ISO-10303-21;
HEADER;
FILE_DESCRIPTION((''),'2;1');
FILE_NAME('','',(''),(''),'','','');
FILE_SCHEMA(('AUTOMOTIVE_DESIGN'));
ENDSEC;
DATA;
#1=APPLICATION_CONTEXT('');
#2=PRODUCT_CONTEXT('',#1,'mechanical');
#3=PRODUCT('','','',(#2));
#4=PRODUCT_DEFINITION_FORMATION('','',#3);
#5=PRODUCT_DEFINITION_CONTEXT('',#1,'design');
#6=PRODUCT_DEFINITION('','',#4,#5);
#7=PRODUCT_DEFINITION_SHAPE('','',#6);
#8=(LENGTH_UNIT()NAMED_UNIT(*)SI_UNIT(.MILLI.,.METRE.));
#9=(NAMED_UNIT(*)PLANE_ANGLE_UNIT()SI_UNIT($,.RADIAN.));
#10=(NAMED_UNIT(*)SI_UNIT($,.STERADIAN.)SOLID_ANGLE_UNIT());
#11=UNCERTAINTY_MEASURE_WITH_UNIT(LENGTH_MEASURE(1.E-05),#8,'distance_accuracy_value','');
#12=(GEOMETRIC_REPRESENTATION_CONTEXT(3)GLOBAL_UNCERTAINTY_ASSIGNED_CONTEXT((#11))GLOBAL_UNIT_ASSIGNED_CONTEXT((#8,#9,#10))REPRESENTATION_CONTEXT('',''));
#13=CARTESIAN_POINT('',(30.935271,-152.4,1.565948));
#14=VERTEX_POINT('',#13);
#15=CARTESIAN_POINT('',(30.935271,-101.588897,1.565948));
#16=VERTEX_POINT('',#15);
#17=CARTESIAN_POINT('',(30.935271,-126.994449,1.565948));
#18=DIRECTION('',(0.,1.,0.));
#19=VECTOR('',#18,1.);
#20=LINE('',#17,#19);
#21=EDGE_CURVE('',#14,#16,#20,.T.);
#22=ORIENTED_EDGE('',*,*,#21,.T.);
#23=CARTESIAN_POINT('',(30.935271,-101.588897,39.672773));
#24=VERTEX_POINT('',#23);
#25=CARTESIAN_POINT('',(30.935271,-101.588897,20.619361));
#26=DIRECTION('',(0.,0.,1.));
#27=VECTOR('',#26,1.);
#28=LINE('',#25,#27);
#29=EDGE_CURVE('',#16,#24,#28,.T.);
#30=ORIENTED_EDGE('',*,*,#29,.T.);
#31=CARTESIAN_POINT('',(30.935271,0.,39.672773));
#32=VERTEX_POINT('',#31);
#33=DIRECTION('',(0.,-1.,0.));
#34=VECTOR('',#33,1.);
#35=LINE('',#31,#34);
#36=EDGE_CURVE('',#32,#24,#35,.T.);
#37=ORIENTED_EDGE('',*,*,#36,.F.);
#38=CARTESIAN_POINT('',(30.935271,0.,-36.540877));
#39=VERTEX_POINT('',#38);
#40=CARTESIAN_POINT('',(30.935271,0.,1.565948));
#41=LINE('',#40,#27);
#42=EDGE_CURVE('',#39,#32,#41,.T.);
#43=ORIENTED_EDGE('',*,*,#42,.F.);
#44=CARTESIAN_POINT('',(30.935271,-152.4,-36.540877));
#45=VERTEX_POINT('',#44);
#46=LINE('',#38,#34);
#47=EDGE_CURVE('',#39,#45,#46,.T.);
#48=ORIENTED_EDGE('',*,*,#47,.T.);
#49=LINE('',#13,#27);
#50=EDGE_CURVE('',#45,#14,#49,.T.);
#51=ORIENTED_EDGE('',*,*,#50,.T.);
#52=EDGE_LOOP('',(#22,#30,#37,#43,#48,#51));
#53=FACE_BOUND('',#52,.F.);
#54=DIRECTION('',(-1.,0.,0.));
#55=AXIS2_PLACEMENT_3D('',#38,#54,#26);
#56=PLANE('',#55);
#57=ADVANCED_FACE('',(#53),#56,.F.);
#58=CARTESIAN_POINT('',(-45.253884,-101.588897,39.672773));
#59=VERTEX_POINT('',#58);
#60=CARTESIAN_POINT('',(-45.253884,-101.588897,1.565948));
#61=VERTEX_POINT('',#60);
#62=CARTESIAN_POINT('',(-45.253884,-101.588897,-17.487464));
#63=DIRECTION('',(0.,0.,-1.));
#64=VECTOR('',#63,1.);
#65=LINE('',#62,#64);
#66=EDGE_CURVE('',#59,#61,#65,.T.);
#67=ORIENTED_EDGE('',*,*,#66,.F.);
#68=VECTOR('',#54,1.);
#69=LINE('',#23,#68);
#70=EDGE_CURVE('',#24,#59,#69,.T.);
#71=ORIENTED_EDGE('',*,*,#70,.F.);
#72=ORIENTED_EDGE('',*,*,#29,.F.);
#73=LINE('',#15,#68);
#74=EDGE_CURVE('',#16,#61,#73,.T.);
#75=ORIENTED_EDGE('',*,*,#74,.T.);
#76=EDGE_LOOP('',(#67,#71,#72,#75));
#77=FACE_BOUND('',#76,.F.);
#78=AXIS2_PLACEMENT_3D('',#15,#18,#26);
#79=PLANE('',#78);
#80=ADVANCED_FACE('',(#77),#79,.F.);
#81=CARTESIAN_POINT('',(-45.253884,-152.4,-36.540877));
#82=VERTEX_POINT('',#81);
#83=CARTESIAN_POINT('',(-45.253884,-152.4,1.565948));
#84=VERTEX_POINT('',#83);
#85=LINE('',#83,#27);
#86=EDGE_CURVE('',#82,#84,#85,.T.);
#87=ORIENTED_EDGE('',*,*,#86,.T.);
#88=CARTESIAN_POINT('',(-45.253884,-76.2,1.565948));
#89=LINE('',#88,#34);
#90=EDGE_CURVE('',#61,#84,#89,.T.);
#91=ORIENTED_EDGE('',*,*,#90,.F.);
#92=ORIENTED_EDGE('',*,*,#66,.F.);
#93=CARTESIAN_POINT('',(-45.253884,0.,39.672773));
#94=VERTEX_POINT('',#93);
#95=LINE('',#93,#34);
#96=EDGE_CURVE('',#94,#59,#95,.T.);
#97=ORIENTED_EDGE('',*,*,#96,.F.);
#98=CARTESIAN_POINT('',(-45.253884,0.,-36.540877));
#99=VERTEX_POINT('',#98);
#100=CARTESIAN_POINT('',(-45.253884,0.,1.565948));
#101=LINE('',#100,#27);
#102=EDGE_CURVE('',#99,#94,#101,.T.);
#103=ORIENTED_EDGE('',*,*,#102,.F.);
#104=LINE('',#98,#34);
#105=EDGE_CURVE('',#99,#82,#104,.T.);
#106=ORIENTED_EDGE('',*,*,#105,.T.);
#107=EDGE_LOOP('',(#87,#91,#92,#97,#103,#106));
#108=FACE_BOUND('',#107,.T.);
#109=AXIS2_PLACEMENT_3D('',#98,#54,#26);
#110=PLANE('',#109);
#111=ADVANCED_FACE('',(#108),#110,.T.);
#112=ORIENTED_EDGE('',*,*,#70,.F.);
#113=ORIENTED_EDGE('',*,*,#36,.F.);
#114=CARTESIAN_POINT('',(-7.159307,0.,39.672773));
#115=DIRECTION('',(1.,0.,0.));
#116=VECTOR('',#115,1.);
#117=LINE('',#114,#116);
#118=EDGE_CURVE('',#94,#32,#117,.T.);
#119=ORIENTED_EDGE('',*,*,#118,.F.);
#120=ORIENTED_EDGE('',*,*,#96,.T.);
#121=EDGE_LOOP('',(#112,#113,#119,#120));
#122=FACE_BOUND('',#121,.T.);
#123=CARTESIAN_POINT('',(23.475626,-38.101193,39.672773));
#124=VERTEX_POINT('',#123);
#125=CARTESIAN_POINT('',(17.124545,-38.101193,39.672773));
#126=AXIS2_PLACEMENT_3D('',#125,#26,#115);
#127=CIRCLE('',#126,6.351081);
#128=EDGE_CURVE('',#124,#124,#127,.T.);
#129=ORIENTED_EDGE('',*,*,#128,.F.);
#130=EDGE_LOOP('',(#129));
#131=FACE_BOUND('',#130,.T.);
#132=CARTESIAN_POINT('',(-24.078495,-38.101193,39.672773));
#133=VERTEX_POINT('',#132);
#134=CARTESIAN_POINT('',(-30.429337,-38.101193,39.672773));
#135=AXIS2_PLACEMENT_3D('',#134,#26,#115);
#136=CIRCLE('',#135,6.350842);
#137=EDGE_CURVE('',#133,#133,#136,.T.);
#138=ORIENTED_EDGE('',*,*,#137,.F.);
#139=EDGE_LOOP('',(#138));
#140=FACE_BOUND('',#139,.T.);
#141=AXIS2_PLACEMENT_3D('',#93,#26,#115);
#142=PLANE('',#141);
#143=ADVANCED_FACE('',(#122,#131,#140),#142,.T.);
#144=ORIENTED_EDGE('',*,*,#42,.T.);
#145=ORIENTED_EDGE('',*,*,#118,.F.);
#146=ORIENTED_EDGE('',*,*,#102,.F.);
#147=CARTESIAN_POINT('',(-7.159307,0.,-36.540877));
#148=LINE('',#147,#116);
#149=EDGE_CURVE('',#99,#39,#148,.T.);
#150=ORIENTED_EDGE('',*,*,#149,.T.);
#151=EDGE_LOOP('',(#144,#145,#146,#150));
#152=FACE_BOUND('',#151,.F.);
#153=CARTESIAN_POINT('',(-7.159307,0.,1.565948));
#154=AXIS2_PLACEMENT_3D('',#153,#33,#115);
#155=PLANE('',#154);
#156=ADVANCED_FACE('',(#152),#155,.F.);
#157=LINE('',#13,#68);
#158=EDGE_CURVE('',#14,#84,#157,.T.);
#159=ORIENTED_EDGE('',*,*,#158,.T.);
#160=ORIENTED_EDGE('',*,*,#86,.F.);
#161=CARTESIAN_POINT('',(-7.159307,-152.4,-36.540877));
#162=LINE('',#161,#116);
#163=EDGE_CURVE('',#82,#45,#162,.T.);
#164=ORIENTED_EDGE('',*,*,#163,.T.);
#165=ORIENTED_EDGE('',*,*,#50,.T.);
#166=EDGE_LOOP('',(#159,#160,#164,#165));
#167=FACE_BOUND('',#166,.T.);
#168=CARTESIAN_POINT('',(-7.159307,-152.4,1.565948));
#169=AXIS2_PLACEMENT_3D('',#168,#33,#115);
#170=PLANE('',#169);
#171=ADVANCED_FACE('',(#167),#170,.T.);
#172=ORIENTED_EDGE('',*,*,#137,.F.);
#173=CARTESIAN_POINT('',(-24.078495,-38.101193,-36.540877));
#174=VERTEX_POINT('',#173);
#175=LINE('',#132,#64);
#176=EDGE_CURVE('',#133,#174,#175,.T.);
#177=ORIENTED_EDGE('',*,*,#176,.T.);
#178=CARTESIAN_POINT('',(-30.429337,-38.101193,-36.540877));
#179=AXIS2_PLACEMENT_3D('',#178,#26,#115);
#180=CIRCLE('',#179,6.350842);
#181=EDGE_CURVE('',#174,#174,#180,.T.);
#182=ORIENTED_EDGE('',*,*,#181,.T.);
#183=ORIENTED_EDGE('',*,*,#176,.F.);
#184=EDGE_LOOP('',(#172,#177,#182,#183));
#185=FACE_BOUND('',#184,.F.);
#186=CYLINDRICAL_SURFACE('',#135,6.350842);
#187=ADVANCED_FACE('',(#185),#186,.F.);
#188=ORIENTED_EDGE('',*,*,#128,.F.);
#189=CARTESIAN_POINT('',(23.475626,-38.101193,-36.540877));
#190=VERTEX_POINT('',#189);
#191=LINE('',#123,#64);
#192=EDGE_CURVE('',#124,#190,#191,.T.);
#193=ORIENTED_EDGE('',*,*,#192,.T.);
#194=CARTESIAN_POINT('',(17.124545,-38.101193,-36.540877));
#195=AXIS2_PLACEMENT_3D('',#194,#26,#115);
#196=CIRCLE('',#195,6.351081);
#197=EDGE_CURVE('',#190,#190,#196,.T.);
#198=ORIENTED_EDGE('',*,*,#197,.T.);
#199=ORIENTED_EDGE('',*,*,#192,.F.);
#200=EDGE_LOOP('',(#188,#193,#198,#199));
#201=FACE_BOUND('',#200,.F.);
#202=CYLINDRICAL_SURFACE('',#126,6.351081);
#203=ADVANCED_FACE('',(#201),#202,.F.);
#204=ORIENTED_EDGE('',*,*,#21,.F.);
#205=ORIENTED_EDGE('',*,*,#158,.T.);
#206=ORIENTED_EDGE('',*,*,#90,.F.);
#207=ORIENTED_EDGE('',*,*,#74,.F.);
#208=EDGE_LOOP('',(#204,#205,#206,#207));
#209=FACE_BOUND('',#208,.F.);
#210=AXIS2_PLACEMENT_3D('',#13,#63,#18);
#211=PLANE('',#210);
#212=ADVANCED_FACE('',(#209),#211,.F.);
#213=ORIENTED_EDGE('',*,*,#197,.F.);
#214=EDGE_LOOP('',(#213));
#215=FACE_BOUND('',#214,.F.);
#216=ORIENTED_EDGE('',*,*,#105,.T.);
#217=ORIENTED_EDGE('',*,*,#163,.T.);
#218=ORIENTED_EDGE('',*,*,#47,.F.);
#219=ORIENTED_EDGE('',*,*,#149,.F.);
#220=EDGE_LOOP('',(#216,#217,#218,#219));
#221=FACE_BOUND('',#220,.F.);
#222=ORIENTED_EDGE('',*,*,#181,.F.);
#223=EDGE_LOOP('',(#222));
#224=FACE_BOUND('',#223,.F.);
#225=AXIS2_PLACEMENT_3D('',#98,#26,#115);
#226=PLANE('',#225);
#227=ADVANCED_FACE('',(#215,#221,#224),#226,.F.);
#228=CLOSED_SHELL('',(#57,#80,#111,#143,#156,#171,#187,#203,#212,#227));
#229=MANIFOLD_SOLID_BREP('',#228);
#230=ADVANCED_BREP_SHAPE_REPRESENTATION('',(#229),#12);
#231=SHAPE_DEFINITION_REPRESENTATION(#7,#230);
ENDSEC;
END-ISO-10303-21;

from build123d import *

# Parameters (mm, degrees)
F0_W     = 76.189154759
F0_H     = 76.2136504054
F1_DEPTH = 152.4
F2_W     = 50.8111025929
F2_H     = 38.1068252027
F3_DEPTH = 76.2
F4_R     = 6.3508418906
F4_R_2   = 6.3510810939
F5_DEPTH = 101.6


with BuildPart() as f1:
    # F0 (on Front) → F1 (new body)
    with BuildSketch(Plane.XZ):
        with Locations((-7.1593066677, 1.5659481287)):
            Rectangle(F0_W, F0_H)
    extrude(amount=F1_DEPTH)

    # F2 (on face) → F3 (cut)
    with BuildSketch(Plane.YZ.offset(30.9352707118)):
        with Locations((-126.9944487035, 20.6193607301)):
            Rectangle(F2_W, F2_H)
    extrude(amount=-F3_DEPTH, mode=Mode.SUBTRACT)

    # F4 (on face) → F5 (cut)
    with BuildSketch(Plane.XY.offset(39.6727733314)):
        with Locations((-30.4293371737, -38.1011925638)):
            Circle(F4_R)
        with Locations((17.1245448291, -38.1011925638)):
            Circle(F4_R_2)
    extrude(amount=-F5_DEPTH, mode=Mode.SUBTRACT)


solid = f1.part
